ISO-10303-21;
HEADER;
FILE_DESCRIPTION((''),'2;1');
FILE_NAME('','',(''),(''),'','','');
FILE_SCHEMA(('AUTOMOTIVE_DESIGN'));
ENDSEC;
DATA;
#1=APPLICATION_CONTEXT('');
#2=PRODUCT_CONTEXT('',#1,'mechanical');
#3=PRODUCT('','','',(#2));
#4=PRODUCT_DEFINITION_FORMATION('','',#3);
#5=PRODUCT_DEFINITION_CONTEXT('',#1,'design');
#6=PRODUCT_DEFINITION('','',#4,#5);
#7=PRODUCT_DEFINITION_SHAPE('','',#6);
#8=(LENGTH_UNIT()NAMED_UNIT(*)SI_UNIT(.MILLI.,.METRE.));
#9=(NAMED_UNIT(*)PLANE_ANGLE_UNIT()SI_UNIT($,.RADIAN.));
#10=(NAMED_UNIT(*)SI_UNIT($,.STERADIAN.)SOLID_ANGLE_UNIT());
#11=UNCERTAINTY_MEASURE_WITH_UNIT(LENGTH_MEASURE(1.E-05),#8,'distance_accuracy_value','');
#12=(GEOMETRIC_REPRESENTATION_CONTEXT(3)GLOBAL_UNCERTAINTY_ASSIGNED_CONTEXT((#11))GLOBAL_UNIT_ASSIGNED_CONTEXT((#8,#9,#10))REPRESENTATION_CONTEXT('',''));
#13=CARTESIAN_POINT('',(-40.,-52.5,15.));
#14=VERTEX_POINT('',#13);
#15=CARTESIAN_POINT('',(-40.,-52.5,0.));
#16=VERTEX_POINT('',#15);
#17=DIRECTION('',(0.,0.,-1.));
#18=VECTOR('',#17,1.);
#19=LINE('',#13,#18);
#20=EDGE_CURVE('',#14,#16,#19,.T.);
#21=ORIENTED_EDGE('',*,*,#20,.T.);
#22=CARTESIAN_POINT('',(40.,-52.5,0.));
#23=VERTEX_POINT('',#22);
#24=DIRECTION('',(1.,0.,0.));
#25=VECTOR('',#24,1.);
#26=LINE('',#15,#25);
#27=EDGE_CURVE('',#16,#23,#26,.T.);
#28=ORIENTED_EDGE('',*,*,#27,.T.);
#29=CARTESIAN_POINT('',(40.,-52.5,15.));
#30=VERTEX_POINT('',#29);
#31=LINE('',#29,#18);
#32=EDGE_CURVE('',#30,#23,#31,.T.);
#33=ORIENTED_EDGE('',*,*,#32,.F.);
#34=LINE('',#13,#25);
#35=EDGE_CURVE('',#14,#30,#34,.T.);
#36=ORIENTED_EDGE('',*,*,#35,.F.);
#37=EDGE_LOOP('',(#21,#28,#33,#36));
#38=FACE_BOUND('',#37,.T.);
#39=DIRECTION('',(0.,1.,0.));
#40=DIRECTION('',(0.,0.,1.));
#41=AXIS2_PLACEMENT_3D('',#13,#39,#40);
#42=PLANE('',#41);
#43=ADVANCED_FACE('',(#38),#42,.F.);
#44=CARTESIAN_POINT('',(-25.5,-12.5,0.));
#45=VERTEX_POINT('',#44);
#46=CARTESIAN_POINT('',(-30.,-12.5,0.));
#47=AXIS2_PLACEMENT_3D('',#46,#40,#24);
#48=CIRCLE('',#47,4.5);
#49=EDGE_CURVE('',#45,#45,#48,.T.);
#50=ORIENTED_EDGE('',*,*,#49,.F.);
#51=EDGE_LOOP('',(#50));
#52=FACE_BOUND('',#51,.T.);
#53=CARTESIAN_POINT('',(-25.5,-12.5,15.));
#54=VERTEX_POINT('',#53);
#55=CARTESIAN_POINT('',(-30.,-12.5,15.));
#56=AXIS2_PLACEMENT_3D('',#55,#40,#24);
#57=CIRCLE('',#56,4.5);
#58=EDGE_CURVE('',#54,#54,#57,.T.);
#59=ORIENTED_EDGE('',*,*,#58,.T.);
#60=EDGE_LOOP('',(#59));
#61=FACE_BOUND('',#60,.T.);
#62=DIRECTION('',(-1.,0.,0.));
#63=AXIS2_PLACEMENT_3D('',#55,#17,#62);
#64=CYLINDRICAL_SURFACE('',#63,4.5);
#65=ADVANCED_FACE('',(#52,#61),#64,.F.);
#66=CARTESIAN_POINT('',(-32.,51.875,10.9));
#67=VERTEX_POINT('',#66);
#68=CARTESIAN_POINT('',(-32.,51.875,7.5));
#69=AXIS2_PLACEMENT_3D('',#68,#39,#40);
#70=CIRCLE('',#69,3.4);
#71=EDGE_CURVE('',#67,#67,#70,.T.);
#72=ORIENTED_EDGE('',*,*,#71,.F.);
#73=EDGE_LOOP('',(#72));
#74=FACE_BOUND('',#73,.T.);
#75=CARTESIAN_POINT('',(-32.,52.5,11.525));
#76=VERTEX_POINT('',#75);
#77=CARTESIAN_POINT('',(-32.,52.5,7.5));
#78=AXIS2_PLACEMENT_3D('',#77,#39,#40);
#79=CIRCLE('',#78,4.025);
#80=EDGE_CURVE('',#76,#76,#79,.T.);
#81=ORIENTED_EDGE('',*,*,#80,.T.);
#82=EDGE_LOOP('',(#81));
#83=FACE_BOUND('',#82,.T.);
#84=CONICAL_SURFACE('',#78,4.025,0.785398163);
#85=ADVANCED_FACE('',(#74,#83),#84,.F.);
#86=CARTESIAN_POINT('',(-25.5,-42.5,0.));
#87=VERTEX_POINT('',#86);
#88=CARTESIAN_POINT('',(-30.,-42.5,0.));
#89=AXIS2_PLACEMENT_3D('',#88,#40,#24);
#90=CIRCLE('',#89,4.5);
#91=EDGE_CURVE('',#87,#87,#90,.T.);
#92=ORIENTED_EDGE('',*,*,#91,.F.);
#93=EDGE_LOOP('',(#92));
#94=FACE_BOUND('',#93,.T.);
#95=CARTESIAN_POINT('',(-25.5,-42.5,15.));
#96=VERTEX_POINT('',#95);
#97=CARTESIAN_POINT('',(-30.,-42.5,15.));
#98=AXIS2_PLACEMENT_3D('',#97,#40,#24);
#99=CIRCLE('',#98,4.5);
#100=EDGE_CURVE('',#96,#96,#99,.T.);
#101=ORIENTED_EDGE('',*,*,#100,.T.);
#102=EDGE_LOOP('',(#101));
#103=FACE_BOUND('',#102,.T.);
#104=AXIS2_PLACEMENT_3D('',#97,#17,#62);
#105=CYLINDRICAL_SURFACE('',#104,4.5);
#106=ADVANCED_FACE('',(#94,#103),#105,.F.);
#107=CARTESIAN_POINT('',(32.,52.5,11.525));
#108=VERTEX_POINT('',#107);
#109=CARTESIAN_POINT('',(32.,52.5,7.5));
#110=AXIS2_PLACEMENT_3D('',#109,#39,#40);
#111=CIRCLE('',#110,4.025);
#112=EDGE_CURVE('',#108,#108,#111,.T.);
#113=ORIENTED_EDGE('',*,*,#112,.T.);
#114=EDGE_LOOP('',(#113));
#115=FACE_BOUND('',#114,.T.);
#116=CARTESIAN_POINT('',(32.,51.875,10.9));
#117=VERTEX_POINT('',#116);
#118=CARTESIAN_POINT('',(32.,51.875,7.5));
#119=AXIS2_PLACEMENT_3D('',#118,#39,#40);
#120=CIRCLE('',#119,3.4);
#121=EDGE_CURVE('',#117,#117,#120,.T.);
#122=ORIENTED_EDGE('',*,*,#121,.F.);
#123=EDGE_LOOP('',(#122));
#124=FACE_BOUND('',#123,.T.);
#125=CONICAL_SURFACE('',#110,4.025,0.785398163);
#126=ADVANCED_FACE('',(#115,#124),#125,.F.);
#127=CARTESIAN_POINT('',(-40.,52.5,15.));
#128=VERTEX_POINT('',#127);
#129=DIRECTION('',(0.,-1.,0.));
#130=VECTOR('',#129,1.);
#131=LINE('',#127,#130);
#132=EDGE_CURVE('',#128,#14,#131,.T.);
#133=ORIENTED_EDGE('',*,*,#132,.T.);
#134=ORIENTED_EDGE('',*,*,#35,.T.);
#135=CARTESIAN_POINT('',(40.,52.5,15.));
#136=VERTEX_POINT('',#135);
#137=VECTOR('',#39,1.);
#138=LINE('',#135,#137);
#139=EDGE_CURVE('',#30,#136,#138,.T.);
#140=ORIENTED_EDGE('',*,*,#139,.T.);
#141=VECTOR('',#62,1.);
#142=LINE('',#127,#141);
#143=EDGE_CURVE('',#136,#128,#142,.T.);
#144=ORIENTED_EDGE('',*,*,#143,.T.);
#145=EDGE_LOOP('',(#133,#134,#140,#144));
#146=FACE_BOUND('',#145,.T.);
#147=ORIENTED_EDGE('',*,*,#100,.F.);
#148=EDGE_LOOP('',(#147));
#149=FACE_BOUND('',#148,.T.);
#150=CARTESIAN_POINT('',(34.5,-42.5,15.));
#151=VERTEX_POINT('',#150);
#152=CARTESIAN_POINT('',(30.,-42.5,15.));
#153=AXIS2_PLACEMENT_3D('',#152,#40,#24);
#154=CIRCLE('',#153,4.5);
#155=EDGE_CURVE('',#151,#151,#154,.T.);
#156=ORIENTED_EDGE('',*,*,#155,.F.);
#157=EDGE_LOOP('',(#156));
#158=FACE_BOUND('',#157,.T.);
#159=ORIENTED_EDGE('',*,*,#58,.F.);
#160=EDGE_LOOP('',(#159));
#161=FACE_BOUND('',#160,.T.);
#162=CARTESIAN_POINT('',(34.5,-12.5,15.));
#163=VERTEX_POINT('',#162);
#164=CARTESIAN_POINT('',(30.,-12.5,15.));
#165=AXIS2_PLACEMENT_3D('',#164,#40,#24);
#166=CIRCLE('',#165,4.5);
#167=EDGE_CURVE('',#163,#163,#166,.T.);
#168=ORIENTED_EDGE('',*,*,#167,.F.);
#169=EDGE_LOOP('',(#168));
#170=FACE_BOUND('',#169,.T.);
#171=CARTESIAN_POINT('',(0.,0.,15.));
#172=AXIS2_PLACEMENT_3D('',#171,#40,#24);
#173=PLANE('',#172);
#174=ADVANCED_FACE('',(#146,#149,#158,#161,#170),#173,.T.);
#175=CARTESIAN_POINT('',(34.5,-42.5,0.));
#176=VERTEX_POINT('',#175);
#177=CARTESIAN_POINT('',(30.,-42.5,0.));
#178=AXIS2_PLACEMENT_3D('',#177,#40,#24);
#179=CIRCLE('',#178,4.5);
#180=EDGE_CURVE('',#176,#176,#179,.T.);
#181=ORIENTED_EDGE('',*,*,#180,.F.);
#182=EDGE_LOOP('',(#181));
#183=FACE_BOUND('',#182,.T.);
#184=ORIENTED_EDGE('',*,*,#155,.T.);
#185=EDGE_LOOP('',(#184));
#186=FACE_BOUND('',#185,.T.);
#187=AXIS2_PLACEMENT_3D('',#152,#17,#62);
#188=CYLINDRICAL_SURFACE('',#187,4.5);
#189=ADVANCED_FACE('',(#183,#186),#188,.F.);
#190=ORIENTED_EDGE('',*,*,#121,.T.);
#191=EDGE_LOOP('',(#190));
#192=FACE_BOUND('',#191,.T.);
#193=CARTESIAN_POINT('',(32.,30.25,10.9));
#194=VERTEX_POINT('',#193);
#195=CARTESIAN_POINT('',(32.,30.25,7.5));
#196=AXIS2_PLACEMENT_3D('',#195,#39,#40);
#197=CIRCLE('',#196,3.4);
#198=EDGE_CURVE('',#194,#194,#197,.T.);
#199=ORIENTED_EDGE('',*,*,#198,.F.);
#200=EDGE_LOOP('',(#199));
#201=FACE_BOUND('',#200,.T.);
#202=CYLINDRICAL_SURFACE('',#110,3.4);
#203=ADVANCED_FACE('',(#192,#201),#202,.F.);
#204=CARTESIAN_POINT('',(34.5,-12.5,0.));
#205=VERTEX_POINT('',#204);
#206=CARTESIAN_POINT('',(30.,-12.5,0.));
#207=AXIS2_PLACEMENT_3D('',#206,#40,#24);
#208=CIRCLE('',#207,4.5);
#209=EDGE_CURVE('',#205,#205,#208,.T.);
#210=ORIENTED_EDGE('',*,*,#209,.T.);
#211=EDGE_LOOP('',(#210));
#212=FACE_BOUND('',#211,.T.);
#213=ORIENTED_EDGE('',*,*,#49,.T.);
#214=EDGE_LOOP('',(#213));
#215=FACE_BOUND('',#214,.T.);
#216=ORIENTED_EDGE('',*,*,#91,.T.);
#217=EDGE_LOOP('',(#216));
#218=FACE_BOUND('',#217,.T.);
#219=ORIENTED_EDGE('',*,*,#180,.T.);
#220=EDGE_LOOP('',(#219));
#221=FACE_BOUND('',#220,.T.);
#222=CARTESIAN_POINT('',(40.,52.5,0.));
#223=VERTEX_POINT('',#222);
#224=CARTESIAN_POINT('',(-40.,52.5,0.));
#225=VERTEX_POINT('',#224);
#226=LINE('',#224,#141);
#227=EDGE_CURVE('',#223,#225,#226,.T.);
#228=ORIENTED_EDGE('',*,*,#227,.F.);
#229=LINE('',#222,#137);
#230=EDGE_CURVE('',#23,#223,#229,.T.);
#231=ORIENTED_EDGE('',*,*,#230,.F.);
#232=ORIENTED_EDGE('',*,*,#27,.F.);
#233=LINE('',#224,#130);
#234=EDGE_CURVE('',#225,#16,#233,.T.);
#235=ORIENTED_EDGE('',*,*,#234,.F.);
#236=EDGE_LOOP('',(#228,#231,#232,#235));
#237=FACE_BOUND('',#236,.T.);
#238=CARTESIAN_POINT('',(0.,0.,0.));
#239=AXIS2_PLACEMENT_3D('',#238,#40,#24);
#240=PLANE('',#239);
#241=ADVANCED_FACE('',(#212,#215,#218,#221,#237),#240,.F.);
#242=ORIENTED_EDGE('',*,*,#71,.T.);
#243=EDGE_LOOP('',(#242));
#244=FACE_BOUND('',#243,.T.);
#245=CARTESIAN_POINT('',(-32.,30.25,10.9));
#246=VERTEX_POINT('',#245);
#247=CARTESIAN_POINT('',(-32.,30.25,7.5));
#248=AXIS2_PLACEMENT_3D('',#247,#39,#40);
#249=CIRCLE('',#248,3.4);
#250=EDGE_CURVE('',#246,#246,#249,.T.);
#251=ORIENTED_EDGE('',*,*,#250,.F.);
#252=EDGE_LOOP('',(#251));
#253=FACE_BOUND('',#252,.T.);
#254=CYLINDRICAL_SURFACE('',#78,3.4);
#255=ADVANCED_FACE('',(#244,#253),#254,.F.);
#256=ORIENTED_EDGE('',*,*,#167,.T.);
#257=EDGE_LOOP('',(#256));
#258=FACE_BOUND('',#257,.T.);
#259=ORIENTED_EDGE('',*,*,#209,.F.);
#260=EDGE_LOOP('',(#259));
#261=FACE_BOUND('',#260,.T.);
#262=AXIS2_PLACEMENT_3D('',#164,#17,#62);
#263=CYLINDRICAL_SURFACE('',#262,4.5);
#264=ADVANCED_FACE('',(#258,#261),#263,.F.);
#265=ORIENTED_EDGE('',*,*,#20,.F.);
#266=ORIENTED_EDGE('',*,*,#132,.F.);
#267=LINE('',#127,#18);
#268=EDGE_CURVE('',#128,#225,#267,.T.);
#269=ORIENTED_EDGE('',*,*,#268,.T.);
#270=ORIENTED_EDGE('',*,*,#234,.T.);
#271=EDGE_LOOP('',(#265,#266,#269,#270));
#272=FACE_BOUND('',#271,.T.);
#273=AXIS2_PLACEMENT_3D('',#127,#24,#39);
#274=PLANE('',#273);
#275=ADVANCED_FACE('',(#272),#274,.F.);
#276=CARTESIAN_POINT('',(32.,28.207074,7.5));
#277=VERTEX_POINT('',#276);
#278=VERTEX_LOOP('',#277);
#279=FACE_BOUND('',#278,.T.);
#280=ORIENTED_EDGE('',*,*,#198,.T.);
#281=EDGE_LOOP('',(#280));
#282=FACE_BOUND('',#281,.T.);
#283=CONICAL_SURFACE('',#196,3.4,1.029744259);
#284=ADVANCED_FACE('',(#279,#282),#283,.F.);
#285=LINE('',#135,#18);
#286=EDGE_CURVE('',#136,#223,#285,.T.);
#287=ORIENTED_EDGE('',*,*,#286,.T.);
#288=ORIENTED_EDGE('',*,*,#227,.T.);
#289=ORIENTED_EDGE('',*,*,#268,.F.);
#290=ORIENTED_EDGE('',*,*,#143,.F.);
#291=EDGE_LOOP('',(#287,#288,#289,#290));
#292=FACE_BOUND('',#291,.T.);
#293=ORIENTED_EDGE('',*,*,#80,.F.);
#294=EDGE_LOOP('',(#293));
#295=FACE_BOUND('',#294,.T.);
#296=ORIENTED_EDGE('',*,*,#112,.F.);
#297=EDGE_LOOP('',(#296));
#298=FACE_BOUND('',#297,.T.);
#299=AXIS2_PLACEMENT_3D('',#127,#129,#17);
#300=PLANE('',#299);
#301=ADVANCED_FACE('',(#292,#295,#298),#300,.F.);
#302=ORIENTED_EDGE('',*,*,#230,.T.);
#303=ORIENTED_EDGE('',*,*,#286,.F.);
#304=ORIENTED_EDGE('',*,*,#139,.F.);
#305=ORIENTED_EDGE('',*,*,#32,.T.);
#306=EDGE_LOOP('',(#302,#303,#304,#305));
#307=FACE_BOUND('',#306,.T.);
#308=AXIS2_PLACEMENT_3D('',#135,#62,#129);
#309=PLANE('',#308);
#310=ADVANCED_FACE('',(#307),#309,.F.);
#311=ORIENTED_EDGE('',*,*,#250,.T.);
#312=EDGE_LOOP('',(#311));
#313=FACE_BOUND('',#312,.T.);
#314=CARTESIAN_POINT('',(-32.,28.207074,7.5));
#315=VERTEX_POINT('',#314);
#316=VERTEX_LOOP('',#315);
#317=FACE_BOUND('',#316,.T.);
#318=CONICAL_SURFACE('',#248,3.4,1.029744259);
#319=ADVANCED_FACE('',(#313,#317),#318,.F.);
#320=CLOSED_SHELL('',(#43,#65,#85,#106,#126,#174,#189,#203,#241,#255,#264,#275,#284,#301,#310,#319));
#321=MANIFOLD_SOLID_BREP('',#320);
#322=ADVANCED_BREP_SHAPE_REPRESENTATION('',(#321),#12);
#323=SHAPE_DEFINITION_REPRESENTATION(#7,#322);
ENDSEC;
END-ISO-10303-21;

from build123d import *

# Parameters (mm, degrees)
SKETCH_1_W                   = 80
SKETCH_1_H                   = 105
SKETCH_1_R                   = 4.5
EXTRUDE_1_DEPTH              = 15
HOLE_WIZARD_M8_1_D           = 6.8
HOLE_WIZARD_M8_1_DEPTH       = 22.25
HOLE_WIZARD_M8_1_CSINK_D     = 8.05
HOLE_WIZARD_M8_1_CSINK_ANGLE = 90
HOLE_WIZARD_M8_1_TIP         = 2.042926105


with BuildPart() as part:
    # 草图1 → 凸台-拉伸1 (new body)
    with BuildSketch(Plane.XY):
        Rectangle(SKETCH_1_W, SKETCH_1_H)
        with Locations((-30, -12.5)):
            Circle(SKETCH_1_R, mode=Mode.SUBTRACT)
        with Locations((30, -12.5)):
            Circle(SKETCH_1_R, mode=Mode.SUBTRACT)
        with Locations((30, -42.5)):
            Circle(SKETCH_1_R, mode=Mode.SUBTRACT)
        with Locations((-30, -42.5)):
            Circle(SKETCH_1_R, mode=Mode.SUBTRACT)
    extrude(amount=EXTRUDE_1_DEPTH)

    # M8 螺纹孔1
    with Locations(Plane(origin=(-32, 52.5, 7.5), x_dir=(0, 0, 1), z_dir=(0, 1, 0))):
        with Locations((0, 0), (0, 64)):
            CounterSinkHole(HOLE_WIZARD_M8_1_D / 2, HOLE_WIZARD_M8_1_CSINK_D / 2, depth=HOLE_WIZARD_M8_1_DEPTH, counter_sink_angle=HOLE_WIZARD_M8_1_CSINK_ANGLE)
            with Locations((0, 0, -(HOLE_WIZARD_M8_1_DEPTH + HOLE_WIZARD_M8_1_TIP / 2))):  # 118° drill point
                Cone(0, HOLE_WIZARD_M8_1_D / 2, HOLE_WIZARD_M8_1_TIP, mode=Mode.SUBTRACT)


solid = part.part
